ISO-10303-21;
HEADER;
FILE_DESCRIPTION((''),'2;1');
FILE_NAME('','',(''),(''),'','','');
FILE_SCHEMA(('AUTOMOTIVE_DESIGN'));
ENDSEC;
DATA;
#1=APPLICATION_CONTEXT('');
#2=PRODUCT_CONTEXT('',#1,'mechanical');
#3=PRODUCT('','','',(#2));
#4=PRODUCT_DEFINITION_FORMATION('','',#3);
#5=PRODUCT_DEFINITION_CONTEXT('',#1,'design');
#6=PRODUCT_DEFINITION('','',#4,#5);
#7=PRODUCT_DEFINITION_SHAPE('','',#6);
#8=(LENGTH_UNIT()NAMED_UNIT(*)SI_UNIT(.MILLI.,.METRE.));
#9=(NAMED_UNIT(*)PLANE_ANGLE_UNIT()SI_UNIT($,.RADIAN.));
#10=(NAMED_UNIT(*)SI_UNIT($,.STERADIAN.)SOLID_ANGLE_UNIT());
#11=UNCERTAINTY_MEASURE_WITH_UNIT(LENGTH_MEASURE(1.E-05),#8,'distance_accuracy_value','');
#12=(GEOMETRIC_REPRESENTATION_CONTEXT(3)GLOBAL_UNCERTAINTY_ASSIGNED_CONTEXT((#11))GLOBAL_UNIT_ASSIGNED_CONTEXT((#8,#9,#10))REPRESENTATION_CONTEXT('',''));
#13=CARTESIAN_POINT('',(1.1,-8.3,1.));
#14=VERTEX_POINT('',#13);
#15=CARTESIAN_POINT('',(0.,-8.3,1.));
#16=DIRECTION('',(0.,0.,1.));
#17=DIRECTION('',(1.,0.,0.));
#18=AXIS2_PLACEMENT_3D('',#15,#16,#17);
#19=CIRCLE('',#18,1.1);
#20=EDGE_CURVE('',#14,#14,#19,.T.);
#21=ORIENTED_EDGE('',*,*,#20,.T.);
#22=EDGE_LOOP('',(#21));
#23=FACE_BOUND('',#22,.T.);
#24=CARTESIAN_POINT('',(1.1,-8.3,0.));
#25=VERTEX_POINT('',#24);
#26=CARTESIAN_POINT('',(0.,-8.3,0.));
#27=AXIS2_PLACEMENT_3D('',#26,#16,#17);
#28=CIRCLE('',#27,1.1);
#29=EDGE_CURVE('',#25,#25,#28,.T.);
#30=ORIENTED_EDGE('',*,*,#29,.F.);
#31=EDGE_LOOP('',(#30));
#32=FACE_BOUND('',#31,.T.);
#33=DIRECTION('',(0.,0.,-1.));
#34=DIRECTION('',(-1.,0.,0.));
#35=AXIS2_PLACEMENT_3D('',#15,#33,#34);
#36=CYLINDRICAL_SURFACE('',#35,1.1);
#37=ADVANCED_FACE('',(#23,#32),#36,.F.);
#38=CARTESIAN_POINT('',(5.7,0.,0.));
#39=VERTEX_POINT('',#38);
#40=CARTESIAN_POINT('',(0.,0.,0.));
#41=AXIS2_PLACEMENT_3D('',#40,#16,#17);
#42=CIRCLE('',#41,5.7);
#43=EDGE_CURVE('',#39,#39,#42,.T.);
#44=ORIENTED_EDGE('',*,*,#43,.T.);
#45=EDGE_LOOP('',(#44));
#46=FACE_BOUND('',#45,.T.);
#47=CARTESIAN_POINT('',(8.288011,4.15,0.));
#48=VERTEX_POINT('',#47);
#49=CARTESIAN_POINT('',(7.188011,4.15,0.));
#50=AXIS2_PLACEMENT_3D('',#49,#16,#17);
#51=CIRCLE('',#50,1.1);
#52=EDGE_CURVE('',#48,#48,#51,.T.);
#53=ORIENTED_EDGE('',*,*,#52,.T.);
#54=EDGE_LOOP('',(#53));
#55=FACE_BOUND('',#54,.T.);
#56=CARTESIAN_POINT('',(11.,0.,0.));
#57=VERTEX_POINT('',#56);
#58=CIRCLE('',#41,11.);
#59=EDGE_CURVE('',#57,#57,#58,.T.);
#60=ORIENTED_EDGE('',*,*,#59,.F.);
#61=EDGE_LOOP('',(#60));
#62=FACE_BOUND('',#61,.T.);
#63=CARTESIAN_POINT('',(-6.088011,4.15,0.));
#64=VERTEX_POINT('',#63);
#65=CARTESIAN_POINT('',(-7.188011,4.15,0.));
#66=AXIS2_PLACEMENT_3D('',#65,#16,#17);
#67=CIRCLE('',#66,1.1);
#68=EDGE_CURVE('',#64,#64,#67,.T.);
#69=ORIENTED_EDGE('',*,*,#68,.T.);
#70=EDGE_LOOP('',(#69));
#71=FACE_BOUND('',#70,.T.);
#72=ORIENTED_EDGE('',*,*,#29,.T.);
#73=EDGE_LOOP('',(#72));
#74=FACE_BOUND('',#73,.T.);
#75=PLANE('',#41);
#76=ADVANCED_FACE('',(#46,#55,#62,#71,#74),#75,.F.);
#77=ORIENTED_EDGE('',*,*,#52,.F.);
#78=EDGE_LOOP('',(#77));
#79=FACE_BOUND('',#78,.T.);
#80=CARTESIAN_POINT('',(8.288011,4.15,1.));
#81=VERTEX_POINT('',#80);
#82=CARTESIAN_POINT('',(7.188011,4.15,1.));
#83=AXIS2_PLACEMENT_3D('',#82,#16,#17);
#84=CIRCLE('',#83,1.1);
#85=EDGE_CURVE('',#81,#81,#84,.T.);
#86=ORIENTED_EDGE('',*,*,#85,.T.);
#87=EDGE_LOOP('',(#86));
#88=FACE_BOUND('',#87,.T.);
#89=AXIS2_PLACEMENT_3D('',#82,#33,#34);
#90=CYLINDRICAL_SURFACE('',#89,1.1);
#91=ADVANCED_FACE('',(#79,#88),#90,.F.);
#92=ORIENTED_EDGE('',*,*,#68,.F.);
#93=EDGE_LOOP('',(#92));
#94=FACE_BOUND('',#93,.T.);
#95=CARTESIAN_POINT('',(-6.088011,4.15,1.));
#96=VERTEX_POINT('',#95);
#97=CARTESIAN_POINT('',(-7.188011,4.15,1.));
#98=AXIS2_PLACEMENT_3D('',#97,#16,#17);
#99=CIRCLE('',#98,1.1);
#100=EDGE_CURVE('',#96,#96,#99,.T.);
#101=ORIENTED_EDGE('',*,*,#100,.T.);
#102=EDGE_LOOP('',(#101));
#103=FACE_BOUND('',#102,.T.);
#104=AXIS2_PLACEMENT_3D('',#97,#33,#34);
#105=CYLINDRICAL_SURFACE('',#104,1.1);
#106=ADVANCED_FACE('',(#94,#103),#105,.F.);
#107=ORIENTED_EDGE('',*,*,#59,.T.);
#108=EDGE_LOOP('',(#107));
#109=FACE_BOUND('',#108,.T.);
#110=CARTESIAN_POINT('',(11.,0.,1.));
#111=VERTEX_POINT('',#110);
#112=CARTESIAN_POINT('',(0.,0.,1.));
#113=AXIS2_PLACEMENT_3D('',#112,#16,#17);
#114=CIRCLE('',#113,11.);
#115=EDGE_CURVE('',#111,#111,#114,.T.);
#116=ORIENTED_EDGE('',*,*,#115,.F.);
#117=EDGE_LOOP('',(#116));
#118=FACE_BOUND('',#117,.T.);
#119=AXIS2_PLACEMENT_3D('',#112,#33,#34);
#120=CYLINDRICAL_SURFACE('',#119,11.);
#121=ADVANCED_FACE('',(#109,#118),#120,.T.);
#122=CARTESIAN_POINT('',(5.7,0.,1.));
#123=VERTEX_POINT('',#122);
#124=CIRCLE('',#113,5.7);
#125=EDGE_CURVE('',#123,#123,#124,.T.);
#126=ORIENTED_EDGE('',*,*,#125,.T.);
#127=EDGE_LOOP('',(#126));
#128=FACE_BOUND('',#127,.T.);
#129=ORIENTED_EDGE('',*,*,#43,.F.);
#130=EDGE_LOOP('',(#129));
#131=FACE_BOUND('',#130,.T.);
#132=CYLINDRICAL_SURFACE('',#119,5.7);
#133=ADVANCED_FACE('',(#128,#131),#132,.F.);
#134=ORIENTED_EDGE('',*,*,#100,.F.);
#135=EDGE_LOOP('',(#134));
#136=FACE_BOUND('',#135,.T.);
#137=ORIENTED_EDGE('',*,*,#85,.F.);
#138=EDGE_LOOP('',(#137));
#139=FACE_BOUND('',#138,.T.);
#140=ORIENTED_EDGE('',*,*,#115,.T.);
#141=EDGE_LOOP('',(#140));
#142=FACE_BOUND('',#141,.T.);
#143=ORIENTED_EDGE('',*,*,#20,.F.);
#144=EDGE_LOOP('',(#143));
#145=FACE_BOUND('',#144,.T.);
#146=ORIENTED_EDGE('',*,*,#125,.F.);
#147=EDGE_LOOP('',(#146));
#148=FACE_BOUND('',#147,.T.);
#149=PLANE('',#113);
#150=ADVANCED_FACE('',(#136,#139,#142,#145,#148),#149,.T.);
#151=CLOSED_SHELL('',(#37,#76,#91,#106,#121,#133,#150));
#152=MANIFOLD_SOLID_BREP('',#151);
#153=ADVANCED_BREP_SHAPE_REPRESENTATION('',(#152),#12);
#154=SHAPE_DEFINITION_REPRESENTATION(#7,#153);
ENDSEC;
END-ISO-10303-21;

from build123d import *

# Parameters (mm, degrees)
SKETCH1_R            = 11
SKETCH1_R_2          = 5.7
SKETCH1_R_3          = 1.1
OUTER_RACE_CAP_DEPTH = 1


with BuildPart() as part:
    # Sketch1 → Outer_Race_Cap (new body)
    with BuildSketch(Plane.XY):
        Circle(SKETCH1_R)
        Circle(SKETCH1_R_2, mode=Mode.SUBTRACT)
        with Locations((7.188010851, 4.15)):
            Circle(SKETCH1_R_3, mode=Mode.SUBTRACT)
        with Locations((-7.188010851, 4.15)):
            Circle(SKETCH1_R_3, mode=Mode.SUBTRACT)
        with Locations((0, -8.3)):
            Circle(SKETCH1_R_3, mode=Mode.SUBTRACT)
    extrude(amount=OUTER_RACE_CAP_DEPTH)


solid = part.part
